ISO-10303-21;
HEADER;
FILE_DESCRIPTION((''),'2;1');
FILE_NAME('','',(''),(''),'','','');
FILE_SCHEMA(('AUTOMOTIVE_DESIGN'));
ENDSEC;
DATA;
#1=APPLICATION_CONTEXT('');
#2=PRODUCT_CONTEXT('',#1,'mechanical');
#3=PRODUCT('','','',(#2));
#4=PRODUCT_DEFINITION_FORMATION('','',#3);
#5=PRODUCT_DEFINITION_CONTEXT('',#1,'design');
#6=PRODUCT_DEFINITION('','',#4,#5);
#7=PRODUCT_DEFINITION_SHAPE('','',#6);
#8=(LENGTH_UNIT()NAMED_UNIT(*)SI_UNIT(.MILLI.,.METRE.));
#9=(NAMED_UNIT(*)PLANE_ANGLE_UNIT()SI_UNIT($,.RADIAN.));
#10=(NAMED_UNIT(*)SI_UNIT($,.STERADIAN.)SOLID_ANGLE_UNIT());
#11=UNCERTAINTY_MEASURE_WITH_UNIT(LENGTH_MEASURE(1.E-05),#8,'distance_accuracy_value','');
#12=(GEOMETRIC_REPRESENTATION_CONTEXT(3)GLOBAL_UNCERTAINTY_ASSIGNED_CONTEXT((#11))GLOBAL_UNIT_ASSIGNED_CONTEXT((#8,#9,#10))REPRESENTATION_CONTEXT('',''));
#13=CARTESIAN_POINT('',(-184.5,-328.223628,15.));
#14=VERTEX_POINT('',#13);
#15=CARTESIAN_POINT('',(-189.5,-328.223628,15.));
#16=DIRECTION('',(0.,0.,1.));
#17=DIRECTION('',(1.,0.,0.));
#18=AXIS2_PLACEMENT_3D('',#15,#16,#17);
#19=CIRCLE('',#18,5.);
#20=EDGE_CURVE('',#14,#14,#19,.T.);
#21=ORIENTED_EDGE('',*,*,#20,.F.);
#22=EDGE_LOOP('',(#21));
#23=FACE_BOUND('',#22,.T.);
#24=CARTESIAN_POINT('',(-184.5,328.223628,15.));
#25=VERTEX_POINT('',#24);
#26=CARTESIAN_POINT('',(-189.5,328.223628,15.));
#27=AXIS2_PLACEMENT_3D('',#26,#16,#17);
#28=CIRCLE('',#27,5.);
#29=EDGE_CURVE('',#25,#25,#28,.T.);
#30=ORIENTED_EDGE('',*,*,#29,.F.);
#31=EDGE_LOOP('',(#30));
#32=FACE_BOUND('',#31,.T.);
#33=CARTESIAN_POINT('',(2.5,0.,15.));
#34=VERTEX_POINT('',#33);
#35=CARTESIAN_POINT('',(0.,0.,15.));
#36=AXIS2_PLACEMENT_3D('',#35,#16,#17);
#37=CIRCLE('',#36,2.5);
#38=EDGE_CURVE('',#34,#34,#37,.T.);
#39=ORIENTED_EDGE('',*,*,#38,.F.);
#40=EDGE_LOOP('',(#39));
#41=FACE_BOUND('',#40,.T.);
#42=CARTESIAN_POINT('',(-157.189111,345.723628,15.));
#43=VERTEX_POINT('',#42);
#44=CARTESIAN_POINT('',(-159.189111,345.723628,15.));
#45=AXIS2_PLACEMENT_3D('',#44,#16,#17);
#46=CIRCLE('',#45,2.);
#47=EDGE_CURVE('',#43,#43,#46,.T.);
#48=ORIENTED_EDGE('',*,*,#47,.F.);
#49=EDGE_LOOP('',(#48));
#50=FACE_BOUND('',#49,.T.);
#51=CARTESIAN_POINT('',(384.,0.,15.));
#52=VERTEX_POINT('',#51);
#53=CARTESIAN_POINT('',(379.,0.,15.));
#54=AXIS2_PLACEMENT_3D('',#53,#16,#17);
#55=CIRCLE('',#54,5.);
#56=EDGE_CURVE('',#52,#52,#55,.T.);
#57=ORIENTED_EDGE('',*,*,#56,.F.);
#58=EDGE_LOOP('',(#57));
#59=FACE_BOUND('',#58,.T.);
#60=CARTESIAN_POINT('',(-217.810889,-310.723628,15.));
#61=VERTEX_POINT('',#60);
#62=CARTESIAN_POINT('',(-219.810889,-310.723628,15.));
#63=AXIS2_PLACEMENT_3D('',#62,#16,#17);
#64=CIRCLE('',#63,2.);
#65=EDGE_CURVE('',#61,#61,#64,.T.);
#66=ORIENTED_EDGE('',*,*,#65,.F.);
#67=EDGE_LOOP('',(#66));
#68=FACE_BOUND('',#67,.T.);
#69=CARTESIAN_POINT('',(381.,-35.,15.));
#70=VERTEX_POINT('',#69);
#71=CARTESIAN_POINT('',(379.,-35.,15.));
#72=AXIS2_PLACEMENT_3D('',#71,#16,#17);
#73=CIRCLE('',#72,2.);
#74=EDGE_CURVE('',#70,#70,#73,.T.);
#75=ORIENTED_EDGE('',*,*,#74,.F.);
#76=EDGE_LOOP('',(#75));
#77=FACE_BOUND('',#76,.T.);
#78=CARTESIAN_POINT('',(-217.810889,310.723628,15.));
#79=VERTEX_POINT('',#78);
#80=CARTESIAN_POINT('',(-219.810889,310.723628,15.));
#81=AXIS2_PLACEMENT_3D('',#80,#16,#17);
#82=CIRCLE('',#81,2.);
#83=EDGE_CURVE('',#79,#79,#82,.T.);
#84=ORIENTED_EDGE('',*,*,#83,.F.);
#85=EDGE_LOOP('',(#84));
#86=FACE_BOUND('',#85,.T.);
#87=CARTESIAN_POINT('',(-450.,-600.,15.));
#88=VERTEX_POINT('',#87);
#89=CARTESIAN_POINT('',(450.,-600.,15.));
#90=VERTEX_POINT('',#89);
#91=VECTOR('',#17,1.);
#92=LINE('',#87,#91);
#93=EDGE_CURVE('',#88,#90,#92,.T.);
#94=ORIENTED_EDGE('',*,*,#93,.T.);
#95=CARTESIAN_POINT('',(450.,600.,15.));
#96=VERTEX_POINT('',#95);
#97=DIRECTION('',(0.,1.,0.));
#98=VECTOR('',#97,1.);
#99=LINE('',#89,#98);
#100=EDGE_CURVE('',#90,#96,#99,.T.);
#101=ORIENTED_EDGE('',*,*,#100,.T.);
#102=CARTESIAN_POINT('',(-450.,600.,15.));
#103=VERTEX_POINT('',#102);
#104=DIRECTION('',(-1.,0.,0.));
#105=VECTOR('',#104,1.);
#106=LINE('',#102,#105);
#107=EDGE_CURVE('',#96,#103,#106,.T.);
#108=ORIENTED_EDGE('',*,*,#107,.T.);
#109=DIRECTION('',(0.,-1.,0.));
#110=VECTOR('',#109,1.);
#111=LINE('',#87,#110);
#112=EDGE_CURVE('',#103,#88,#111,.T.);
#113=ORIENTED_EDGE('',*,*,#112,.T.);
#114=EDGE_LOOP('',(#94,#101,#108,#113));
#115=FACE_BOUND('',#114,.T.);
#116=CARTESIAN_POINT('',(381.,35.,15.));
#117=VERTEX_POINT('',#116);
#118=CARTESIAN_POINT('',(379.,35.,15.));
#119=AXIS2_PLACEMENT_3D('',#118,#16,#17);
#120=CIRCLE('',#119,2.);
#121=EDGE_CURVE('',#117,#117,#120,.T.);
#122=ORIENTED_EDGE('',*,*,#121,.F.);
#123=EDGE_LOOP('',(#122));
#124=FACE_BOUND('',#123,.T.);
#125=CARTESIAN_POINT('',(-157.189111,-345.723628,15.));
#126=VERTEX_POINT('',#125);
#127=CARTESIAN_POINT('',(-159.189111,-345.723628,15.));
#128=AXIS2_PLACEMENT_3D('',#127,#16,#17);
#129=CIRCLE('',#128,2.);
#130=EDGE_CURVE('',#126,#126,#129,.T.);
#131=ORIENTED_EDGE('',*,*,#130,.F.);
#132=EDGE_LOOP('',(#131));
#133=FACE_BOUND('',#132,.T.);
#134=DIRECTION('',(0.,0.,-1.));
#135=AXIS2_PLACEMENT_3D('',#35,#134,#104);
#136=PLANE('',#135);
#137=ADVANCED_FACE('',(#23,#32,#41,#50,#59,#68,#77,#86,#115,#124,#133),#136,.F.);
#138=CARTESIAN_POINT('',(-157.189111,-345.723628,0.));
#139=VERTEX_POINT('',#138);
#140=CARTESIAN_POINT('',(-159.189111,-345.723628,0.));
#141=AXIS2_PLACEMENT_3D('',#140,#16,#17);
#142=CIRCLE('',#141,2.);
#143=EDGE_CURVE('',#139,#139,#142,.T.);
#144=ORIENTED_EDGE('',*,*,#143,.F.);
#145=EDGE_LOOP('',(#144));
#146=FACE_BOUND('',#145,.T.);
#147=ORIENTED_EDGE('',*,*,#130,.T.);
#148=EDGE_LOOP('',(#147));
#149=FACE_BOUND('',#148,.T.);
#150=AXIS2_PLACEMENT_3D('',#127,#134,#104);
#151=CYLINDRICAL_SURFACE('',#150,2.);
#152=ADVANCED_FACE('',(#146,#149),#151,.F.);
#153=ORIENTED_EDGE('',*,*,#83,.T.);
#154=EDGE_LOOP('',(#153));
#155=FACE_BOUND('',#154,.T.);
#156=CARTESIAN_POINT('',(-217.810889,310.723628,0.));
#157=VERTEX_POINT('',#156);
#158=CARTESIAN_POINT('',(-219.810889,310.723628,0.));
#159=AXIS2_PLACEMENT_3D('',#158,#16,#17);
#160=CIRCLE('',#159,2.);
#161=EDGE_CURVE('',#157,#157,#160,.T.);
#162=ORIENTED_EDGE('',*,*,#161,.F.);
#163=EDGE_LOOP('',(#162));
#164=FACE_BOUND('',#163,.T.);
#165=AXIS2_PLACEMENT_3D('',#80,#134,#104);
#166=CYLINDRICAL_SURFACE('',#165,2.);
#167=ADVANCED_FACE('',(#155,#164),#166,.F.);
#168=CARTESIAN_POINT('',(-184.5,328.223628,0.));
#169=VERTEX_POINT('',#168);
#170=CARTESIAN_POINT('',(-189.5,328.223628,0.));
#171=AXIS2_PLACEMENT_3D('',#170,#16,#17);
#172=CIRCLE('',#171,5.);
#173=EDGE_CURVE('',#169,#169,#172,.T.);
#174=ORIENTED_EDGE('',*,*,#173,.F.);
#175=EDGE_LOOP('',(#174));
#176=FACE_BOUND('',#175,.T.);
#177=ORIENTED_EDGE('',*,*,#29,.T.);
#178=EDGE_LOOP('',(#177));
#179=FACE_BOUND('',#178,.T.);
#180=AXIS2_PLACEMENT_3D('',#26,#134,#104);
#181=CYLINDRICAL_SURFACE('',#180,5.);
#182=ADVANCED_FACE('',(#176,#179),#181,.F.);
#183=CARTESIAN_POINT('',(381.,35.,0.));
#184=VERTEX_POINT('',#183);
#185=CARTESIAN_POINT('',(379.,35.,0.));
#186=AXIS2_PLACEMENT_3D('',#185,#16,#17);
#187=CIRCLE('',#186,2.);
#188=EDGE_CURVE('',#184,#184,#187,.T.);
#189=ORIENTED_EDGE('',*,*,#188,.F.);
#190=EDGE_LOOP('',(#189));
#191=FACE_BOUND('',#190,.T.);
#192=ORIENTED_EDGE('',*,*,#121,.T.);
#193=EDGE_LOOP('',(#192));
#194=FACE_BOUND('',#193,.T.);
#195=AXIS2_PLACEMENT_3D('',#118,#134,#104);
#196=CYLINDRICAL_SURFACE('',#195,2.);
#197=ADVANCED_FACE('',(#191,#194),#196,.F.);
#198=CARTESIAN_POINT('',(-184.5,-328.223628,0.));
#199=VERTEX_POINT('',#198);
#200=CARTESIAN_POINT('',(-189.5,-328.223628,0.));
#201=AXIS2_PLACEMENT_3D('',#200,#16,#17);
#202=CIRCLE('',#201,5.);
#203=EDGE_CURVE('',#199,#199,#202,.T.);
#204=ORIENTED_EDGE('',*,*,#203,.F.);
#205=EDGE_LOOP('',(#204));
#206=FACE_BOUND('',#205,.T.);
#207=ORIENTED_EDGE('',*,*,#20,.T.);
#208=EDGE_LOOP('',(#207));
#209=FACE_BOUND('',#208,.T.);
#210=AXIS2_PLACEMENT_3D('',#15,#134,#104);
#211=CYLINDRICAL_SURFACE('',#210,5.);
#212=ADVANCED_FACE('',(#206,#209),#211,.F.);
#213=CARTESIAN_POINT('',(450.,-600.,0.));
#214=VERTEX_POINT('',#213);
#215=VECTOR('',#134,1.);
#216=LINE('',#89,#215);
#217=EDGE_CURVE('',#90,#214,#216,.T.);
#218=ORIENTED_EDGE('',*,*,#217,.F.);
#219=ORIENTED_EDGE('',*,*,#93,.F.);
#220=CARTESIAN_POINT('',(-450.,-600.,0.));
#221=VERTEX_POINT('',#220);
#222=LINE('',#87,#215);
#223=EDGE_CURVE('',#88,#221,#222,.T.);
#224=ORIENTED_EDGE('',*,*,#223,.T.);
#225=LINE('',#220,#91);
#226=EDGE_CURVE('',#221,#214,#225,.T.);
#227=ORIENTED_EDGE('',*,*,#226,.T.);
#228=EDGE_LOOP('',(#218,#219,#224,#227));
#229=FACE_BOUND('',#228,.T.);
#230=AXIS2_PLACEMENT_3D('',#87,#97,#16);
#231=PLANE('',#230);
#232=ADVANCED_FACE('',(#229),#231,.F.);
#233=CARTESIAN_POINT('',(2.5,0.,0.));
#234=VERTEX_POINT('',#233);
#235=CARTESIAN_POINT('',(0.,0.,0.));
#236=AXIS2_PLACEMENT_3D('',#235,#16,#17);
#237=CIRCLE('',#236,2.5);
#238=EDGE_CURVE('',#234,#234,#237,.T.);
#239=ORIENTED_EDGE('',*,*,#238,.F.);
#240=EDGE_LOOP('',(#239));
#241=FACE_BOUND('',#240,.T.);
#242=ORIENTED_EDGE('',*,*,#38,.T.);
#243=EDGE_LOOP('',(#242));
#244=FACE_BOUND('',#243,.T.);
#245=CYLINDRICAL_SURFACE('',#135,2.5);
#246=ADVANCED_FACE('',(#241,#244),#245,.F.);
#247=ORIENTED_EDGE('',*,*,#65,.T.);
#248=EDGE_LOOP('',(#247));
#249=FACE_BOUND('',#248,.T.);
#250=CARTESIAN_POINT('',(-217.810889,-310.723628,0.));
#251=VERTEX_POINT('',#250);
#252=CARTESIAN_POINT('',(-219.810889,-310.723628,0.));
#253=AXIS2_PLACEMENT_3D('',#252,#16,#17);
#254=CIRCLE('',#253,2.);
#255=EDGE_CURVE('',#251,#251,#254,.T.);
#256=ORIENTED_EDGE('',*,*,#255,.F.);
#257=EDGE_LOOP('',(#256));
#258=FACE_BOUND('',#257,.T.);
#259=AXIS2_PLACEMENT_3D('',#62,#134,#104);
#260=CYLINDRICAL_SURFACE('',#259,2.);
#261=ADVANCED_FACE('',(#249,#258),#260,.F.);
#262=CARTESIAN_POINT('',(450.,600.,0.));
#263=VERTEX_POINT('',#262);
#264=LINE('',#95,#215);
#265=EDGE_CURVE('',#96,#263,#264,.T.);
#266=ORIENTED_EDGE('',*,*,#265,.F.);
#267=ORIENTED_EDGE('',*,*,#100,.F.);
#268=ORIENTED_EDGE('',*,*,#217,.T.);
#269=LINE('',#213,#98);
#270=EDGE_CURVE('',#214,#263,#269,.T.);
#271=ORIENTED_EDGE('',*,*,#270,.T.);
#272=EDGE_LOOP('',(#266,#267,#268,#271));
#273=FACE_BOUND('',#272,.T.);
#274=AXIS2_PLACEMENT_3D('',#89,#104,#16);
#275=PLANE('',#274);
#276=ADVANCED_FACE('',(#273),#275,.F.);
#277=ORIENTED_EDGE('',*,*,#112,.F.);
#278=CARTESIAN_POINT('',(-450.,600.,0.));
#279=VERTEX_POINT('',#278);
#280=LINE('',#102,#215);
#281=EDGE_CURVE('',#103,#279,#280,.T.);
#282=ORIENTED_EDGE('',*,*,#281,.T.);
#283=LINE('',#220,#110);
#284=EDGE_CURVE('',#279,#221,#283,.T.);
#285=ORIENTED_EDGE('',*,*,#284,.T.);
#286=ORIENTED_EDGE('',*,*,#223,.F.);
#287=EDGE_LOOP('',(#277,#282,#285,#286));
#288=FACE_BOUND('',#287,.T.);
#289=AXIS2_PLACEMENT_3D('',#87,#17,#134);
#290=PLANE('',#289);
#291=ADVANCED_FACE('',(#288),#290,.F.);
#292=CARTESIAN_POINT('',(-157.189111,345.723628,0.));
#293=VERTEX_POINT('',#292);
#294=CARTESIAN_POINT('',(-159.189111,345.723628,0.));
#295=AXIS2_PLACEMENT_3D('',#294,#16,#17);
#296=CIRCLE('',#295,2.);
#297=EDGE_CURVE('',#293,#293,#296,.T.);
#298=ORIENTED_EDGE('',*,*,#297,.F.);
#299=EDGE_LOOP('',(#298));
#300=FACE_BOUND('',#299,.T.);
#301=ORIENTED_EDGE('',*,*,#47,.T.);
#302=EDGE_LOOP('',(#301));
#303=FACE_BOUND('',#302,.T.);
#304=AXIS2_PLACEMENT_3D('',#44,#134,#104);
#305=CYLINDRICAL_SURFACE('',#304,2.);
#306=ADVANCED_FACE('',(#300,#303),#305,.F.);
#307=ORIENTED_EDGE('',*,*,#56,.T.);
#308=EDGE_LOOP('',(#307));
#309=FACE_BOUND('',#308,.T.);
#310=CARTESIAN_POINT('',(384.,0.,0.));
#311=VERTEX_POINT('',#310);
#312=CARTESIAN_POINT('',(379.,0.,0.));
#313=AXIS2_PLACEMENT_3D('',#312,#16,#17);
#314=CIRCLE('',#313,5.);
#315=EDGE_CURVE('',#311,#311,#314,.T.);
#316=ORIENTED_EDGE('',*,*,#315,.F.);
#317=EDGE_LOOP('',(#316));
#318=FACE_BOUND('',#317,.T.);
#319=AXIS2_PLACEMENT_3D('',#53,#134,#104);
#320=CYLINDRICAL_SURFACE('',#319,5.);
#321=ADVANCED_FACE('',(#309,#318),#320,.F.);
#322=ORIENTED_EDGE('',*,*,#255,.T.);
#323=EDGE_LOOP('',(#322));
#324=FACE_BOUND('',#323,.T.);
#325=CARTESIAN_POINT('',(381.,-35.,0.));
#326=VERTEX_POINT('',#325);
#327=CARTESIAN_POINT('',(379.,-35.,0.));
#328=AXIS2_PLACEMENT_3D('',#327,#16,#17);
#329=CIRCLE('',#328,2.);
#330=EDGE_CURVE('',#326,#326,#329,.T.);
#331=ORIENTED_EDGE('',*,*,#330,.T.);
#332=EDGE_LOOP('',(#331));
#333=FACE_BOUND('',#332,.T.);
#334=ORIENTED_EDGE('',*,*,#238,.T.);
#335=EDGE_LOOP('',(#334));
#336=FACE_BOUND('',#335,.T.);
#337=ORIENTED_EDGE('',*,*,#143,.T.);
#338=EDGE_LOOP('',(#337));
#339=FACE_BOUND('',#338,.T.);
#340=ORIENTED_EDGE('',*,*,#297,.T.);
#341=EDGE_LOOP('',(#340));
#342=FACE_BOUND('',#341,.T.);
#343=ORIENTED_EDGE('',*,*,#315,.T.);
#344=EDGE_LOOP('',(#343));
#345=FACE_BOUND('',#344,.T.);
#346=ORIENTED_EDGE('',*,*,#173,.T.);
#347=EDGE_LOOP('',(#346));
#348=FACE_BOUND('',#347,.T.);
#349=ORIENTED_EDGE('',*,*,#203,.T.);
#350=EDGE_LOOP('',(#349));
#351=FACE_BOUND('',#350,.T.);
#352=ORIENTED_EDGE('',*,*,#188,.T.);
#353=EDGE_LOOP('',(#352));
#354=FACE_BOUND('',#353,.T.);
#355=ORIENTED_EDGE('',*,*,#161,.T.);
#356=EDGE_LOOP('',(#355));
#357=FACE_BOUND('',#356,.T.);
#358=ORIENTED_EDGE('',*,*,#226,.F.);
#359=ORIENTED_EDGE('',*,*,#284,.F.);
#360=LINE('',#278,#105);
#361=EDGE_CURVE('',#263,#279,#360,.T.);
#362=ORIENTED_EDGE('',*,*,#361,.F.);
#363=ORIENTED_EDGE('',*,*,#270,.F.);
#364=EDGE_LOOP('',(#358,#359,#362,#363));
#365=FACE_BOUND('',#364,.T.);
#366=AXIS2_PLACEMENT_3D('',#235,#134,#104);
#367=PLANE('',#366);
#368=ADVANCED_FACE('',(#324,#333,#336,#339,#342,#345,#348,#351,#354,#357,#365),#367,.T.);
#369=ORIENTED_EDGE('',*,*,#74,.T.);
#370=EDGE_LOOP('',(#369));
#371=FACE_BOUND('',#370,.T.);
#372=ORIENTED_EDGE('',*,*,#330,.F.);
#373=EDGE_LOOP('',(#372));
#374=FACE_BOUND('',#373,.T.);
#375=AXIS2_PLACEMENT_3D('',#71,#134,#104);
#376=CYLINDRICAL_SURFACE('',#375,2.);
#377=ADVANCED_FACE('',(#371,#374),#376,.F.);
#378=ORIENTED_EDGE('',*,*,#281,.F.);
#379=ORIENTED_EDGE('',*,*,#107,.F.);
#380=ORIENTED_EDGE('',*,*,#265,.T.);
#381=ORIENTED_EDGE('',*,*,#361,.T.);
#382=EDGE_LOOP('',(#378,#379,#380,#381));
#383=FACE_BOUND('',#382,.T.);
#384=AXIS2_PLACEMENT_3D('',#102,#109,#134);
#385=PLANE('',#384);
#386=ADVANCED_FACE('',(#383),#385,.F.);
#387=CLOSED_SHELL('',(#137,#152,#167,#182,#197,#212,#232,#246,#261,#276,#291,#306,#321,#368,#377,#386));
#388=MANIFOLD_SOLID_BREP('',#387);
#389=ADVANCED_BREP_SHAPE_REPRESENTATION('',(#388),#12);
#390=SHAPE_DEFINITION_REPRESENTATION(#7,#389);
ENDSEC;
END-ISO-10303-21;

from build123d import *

# Parameters (mm, degrees)
ESQUISSE1_W        = 900
ESQUISSE1_H        = 1200
ESQUISSE1_R        = 5
ESQUISSE1_R_2      = 2
ESQUISSE1_R_3      = 2.5
BOSS_EXTRU_1_DEPTH = 15


with BuildPart() as part:
    # Esquisse1 → Boss.-Extru.1 (new body)
    with BuildSketch(Plane.XY):
        Rectangle(ESQUISSE1_W, ESQUISSE1_H)
        with Locations((379, 0)):
            Circle(ESQUISSE1_R, mode=Mode.SUBTRACT)
        with Locations((379, 35)):
            Circle(ESQUISSE1_R_2, mode=Mode.SUBTRACT)
        with Locations((379, -35)):
            Circle(ESQUISSE1_R_2, mode=Mode.SUBTRACT)
        with Locations((-189.5, -328.223628034)):
            Circle(ESQUISSE1_R, mode=Mode.SUBTRACT)
        with Locations((-159.189110868, -345.723628034)):
            Circle(ESQUISSE1_R_2, mode=Mode.SUBTRACT)
        with Locations((-219.810889132, -310.723628034)):
            Circle(ESQUISSE1_R_2, mode=Mode.SUBTRACT)
        with Locations((-189.5, 328.223628034)):
            Circle(ESQUISSE1_R, mode=Mode.SUBTRACT)
        with Locations((-219.810889132, 310.723628034)):
            Circle(ESQUISSE1_R_2, mode=Mode.SUBTRACT)
        with Locations((-159.189110868, 345.723628034)):
            Circle(ESQUISSE1_R_2, mode=Mode.SUBTRACT)
        Circle(ESQUISSE1_R_3, mode=Mode.SUBTRACT)
    extrude(amount=BOSS_EXTRU_1_DEPTH)


solid = part.part
